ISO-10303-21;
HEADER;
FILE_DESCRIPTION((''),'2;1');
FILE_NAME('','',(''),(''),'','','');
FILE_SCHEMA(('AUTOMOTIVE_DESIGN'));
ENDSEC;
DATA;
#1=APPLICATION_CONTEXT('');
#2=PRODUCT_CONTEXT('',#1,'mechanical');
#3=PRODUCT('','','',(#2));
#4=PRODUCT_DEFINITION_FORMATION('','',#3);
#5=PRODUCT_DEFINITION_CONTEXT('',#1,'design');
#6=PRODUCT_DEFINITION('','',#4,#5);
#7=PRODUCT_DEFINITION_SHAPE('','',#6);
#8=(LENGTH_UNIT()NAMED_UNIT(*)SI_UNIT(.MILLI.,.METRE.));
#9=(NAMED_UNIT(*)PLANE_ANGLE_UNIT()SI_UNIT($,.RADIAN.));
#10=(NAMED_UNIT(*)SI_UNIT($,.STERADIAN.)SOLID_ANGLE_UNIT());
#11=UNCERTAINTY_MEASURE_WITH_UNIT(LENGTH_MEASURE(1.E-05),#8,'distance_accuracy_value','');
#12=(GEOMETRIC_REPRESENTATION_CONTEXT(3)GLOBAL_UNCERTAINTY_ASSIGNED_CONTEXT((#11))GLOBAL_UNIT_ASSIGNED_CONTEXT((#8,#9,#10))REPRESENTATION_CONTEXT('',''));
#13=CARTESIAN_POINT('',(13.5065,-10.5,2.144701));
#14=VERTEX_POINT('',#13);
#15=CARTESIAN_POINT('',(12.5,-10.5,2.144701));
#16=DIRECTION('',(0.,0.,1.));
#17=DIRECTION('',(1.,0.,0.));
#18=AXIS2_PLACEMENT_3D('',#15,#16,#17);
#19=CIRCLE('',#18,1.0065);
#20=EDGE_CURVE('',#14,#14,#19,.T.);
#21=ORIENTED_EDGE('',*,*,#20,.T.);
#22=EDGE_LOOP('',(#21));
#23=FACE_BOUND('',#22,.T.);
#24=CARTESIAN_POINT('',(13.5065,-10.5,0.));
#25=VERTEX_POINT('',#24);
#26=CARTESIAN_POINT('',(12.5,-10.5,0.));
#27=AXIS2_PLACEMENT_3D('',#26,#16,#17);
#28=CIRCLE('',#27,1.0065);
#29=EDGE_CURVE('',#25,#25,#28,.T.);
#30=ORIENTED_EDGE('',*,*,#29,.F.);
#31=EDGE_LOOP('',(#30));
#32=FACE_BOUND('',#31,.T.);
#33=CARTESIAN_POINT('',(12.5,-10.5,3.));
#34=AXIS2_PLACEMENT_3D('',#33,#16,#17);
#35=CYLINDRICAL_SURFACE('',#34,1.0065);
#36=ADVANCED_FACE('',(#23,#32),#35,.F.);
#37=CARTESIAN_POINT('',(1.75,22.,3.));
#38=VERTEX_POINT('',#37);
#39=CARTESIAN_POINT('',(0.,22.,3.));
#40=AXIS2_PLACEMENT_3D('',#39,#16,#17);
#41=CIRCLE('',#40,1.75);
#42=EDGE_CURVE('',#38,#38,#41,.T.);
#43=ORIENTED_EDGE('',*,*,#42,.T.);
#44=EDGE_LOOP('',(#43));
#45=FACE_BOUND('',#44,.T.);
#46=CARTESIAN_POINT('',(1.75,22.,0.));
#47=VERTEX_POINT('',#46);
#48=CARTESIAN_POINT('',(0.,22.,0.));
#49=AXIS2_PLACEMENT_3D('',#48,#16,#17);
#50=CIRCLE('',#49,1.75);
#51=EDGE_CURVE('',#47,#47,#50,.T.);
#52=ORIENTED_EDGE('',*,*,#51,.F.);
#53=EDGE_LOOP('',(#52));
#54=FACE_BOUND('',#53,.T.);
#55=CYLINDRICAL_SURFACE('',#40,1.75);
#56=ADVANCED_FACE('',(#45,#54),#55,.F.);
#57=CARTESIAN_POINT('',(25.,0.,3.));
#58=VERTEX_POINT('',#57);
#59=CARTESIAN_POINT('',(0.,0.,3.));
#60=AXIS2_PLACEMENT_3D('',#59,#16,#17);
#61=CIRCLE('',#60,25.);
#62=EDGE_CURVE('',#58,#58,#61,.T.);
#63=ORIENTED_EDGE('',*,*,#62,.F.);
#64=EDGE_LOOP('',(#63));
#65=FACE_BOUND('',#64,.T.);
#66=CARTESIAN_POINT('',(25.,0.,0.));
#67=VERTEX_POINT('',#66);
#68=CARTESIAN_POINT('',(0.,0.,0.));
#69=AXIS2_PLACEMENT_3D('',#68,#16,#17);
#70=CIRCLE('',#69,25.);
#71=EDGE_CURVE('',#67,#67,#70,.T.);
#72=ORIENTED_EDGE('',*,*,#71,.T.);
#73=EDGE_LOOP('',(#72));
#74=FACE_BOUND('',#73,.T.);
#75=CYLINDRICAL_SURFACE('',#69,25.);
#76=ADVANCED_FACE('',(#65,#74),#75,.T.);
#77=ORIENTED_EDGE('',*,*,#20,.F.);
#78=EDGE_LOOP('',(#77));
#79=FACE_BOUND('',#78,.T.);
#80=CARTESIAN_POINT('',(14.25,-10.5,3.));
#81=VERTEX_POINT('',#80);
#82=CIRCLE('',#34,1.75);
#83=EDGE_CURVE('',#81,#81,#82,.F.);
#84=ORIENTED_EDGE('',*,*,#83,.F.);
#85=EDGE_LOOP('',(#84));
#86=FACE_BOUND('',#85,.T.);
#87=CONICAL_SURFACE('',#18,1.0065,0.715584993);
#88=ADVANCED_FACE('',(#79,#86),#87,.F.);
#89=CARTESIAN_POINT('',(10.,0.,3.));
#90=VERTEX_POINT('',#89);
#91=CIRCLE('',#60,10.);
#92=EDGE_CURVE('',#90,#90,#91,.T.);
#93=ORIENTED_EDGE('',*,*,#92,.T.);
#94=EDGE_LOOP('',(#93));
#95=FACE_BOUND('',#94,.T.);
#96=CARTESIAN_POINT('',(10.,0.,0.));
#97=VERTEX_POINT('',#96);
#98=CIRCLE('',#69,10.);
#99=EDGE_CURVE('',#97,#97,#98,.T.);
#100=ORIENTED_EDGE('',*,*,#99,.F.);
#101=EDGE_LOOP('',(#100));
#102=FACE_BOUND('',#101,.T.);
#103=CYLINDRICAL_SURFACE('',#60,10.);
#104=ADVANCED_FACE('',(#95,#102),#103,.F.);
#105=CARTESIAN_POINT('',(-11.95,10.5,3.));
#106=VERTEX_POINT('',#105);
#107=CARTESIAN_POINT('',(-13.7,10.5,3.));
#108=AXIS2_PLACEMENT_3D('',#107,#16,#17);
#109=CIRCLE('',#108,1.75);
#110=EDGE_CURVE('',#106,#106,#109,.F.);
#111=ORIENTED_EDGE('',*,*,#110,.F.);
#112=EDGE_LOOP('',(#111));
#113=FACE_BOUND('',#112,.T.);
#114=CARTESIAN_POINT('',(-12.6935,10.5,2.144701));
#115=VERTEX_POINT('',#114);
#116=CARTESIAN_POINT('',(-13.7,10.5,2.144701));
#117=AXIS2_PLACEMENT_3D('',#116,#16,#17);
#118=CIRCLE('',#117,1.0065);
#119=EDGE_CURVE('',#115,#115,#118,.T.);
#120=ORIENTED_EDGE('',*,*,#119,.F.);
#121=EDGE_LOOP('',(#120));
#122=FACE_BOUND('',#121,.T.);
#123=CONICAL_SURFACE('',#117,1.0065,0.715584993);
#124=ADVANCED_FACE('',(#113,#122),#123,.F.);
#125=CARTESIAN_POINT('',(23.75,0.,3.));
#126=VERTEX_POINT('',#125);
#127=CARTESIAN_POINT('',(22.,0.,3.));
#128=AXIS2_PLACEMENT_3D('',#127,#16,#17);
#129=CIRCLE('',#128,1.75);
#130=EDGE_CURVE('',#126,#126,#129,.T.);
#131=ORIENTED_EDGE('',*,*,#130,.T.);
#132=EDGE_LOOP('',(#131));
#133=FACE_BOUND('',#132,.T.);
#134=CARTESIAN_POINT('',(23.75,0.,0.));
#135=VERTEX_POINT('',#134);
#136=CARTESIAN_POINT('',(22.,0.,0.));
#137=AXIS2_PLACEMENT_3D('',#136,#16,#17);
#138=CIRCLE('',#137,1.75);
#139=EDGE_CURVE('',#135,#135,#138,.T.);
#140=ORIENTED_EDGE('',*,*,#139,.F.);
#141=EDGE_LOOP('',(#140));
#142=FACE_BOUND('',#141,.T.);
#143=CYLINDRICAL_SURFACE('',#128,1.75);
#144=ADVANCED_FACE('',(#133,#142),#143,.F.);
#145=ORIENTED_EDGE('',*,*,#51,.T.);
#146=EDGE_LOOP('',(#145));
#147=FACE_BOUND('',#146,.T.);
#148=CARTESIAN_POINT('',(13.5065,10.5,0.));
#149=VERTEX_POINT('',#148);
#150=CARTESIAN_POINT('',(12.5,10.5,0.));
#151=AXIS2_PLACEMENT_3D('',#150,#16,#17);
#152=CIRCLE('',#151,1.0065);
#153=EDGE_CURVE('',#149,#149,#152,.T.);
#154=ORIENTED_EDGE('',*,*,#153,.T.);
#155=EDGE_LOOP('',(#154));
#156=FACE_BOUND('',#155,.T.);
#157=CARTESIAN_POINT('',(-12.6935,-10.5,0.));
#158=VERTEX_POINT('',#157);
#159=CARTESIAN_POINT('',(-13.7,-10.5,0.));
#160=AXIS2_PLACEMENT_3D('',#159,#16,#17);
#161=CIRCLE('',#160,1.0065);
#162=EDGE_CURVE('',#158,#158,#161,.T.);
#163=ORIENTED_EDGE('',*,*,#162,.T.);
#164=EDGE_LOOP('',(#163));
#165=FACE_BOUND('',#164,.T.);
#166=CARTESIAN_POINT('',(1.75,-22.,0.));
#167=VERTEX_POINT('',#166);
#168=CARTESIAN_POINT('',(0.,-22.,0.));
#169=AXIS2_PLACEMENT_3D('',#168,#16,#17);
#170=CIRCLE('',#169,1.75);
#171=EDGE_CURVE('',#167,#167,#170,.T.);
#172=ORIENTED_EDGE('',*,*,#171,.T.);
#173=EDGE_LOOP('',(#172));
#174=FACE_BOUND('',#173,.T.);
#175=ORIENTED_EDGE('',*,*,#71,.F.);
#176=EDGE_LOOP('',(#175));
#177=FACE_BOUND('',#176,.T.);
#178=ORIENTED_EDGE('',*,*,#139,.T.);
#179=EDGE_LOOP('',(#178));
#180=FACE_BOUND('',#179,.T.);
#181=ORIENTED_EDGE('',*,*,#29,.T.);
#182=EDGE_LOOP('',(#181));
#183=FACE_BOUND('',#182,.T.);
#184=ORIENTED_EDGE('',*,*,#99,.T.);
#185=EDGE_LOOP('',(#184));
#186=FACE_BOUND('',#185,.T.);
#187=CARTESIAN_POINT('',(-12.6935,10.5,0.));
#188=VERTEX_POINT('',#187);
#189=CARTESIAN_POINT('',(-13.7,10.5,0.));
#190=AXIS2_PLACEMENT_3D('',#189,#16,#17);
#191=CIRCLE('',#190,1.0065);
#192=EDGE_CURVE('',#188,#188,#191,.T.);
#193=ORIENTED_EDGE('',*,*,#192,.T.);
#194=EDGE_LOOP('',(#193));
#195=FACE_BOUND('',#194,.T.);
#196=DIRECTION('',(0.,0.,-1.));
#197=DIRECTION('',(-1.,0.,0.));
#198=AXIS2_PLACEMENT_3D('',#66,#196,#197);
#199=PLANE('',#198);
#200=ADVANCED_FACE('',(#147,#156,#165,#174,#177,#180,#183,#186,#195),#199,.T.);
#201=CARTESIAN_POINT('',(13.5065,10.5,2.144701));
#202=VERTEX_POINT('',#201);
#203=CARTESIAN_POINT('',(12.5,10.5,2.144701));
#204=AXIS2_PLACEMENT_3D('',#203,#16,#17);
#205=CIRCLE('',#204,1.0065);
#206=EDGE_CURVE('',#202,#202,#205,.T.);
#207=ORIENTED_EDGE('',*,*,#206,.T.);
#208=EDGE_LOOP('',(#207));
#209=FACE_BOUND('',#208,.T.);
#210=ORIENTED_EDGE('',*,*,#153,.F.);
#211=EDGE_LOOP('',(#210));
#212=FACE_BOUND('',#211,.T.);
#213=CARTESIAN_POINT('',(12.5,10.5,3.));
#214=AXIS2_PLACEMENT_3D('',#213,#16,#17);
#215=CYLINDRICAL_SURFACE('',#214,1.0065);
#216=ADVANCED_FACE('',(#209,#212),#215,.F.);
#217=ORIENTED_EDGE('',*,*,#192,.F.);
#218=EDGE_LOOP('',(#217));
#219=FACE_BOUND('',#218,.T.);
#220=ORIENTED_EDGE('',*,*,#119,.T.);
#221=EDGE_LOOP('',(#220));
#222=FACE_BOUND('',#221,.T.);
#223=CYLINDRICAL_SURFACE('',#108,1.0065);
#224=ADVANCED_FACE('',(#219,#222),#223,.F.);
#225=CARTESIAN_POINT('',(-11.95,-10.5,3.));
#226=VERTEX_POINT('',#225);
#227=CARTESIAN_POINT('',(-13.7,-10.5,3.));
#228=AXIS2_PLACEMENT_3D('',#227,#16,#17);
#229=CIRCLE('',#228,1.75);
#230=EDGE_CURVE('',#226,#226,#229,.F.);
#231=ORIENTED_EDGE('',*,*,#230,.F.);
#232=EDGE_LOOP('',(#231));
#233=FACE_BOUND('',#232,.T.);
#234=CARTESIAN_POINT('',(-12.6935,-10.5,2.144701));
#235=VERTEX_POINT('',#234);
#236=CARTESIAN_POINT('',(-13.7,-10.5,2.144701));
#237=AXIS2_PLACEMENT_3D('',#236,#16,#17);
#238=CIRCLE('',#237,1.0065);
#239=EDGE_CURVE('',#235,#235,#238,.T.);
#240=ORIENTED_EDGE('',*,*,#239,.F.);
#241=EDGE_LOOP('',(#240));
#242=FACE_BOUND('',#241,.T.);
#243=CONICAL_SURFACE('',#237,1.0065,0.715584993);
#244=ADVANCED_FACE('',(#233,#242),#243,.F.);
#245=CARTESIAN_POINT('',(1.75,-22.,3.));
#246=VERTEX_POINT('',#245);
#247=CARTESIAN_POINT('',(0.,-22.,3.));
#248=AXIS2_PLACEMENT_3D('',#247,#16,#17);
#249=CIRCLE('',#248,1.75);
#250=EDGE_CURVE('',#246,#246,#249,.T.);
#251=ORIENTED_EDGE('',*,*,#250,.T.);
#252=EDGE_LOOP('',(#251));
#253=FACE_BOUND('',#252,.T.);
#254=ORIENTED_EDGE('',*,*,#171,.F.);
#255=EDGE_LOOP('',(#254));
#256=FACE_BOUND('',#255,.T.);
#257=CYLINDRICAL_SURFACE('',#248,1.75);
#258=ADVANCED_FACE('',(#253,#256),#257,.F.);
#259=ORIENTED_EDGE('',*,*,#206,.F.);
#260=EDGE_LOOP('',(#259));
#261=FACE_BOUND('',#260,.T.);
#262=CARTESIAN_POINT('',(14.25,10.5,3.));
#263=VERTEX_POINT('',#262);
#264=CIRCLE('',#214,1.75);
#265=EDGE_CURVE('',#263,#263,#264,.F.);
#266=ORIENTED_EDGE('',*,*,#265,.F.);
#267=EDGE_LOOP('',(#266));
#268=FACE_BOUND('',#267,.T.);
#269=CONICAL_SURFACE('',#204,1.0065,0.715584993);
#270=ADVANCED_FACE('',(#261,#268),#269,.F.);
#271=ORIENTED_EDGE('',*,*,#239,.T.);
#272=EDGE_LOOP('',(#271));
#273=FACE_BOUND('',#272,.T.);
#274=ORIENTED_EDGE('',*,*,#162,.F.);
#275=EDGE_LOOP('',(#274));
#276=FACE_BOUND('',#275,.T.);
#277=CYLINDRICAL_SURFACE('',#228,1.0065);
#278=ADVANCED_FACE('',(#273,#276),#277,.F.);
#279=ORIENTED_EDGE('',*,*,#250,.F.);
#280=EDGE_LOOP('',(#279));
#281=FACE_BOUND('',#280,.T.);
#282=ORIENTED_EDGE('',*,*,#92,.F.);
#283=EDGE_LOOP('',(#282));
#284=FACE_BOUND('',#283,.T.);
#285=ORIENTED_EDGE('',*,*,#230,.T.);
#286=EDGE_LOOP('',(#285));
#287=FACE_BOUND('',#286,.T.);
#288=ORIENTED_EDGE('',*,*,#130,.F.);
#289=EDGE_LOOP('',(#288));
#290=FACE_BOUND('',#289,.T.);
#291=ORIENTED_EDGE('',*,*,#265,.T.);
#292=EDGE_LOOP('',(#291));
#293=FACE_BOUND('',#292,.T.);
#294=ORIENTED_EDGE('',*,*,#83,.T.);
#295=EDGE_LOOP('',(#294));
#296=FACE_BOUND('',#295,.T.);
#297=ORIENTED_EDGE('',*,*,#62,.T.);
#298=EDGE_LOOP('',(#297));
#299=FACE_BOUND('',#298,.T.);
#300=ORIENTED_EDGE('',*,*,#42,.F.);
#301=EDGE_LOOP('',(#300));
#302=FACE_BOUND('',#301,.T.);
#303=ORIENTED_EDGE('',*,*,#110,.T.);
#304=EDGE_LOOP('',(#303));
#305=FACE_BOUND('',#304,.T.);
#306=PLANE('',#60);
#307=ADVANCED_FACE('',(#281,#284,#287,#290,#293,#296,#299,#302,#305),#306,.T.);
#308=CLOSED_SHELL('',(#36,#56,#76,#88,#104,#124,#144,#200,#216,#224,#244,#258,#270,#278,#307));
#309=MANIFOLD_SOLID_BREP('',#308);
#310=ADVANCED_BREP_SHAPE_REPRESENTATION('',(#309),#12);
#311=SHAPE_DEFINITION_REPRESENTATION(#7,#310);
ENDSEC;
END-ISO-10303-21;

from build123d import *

# Parameters (mm, degrees)
SKETCH_1_W          = 25
SKETCH_1_H          = 3
HOLE_WIZARD_1_D     = 2.013
HOLE_WIZARD_2_D     = 2.013
HOLE_WIZARD_2_DEPTH = 3
HOLE_WIZARD_3_D     = 2.013
HOLE_WIZARD_3_DEPTH = 3
HOLE_WIZARD_4_D     = 2.013
HOLE_WIZARD_4_DEPTH = 3
HOLE_WIZARD_5_D     = 3.5
HOLE_WIZARD_5_DEPTH = 3
HOLE_WIZARD_6_D     = 3.5
HOLE_WIZARD_6_DEPTH = 3
HOLE_WIZARD_7_D     = 20
HOLE_WIZARD_7_DEPTH = 3
HOLE_WIZARD_8_D     = 3.5
HOLE_WIZARD_8_DEPTH = 3
CHAMFER_1_SIZE      = 0.7435
CHAMFER_1_SIZE2     = 0.855298911
CHAMFER_2_SIZE      = 0.7435
CHAMFER_2_SIZE2     = 0.855298911
CHAMFER_3_SIZE      = 0.7435
CHAMFER_3_SIZE2     = 0.855298911
CHAMFER_4_SIZE      = 0.7435
CHAMFER_4_SIZE2     = 0.855298911


with BuildPart() as part:
    # Эскиз1 → Повернуть1 (revolve)
    with BuildSketch(Plane(origin=(0, 0, 0), x_dir=(1, 0, 0), z_dir=(0, 1, 0))):
        with Locations((12.5, -1.5)):
            Rectangle(SKETCH_1_W, SKETCH_1_H)
    revolve(axis=Axis((0, 0, 0), (0, 0, 1)))

    # Отверстие1 (through all)
    with Locations(Plane.XY.offset(3)):
        with Locations((-13.7, -10.5)):
            Hole(HOLE_WIZARD_1_D / 2)

    # Отверстие2
    with Locations(Plane.XY.offset(3)):
        with Locations((12.5, 10.5)):
            Hole(HOLE_WIZARD_2_D / 2, depth=HOLE_WIZARD_2_DEPTH)

    # Отверстие3
    with Locations(Plane.XY.offset(3)):
        with Locations((-13.7, 10.5)):
            Hole(HOLE_WIZARD_3_D / 2, depth=HOLE_WIZARD_3_DEPTH)

    # Отверстие4
    with Locations(Plane.XY.offset(3)):
        with Locations((12.5, -10.5)):
            Hole(HOLE_WIZARD_4_D / 2, depth=HOLE_WIZARD_4_DEPTH)

    # Отверстие5
    with Locations(Plane.XY.offset(3)):
        with Locations((0, -22)):
            Hole(HOLE_WIZARD_5_D / 2, depth=HOLE_WIZARD_5_DEPTH)

    # Отверстие6
    with Locations(Plane.XY.offset(3)):
        with Locations((0, 22)):
            Hole(HOLE_WIZARD_6_D / 2, depth=HOLE_WIZARD_6_DEPTH)

    # Отверстие7
    with Locations(Plane.XY.offset(3)):
        with Locations((0, 0)):
            Hole(HOLE_WIZARD_7_D / 2, depth=HOLE_WIZARD_7_DEPTH)

    # Отверстие8
    with Locations(Plane.XY.offset(3)):
        with Locations((22, 0)):
            Hole(HOLE_WIZARD_8_D / 2, depth=HOLE_WIZARD_8_DEPTH)

    # Фаска1
    chamfer_1_edges = [part.edges().sort_by_distance(p)[0] for p in [
        (-12.6935, 10.5, 3),
    ]]
    chamfer_1_side = [part.faces().sort_by_distance(p)[0] for p in [
        (-24.292893219, 0, 3),
    ]]
    chamfer(chamfer_1_edges, length=CHAMFER_1_SIZE, length2=CHAMFER_1_SIZE2, reference=chamfer_1_side[0])

    # Фаска2
    chamfer_2_edges = [part.edges().sort_by_distance(p)[0] for p in [
        (13.5065, -10.5, 3),
    ]]
    chamfer_2_side = [part.faces().sort_by_distance(p)[0] for p in [
        (-11.242893219, 10.5, 3),
    ]]
    chamfer(chamfer_2_edges, length=CHAMFER_2_SIZE, length2=CHAMFER_2_SIZE2, reference=chamfer_2_side[0])

    # Фаска3
    chamfer_3_edges = [part.edges().sort_by_distance(p)[0] for p in [
        (13.5065, 10.5, 3),
    ]]
    chamfer_3_side = [part.faces().sort_by_distance(p)[0] for p in [
        (14.957106781, -10.5, 3),
    ]]
    chamfer(chamfer_3_edges, length=CHAMFER_3_SIZE, length2=CHAMFER_3_SIZE2, reference=chamfer_3_side[0])

    # Фаска4
    chamfer_4_edges = [part.edges().sort_by_distance(p)[0] for p in [
        (-12.6935, -10.5, 3),
    ]]
    chamfer_4_side = [part.faces().sort_by_distance(p)[0] for p in [
        (14.957106781, 10.5, 3),
    ]]
    chamfer(chamfer_4_edges, length=CHAMFER_4_SIZE, length2=CHAMFER_4_SIZE2, reference=chamfer_4_side[0])


solid = part.part
